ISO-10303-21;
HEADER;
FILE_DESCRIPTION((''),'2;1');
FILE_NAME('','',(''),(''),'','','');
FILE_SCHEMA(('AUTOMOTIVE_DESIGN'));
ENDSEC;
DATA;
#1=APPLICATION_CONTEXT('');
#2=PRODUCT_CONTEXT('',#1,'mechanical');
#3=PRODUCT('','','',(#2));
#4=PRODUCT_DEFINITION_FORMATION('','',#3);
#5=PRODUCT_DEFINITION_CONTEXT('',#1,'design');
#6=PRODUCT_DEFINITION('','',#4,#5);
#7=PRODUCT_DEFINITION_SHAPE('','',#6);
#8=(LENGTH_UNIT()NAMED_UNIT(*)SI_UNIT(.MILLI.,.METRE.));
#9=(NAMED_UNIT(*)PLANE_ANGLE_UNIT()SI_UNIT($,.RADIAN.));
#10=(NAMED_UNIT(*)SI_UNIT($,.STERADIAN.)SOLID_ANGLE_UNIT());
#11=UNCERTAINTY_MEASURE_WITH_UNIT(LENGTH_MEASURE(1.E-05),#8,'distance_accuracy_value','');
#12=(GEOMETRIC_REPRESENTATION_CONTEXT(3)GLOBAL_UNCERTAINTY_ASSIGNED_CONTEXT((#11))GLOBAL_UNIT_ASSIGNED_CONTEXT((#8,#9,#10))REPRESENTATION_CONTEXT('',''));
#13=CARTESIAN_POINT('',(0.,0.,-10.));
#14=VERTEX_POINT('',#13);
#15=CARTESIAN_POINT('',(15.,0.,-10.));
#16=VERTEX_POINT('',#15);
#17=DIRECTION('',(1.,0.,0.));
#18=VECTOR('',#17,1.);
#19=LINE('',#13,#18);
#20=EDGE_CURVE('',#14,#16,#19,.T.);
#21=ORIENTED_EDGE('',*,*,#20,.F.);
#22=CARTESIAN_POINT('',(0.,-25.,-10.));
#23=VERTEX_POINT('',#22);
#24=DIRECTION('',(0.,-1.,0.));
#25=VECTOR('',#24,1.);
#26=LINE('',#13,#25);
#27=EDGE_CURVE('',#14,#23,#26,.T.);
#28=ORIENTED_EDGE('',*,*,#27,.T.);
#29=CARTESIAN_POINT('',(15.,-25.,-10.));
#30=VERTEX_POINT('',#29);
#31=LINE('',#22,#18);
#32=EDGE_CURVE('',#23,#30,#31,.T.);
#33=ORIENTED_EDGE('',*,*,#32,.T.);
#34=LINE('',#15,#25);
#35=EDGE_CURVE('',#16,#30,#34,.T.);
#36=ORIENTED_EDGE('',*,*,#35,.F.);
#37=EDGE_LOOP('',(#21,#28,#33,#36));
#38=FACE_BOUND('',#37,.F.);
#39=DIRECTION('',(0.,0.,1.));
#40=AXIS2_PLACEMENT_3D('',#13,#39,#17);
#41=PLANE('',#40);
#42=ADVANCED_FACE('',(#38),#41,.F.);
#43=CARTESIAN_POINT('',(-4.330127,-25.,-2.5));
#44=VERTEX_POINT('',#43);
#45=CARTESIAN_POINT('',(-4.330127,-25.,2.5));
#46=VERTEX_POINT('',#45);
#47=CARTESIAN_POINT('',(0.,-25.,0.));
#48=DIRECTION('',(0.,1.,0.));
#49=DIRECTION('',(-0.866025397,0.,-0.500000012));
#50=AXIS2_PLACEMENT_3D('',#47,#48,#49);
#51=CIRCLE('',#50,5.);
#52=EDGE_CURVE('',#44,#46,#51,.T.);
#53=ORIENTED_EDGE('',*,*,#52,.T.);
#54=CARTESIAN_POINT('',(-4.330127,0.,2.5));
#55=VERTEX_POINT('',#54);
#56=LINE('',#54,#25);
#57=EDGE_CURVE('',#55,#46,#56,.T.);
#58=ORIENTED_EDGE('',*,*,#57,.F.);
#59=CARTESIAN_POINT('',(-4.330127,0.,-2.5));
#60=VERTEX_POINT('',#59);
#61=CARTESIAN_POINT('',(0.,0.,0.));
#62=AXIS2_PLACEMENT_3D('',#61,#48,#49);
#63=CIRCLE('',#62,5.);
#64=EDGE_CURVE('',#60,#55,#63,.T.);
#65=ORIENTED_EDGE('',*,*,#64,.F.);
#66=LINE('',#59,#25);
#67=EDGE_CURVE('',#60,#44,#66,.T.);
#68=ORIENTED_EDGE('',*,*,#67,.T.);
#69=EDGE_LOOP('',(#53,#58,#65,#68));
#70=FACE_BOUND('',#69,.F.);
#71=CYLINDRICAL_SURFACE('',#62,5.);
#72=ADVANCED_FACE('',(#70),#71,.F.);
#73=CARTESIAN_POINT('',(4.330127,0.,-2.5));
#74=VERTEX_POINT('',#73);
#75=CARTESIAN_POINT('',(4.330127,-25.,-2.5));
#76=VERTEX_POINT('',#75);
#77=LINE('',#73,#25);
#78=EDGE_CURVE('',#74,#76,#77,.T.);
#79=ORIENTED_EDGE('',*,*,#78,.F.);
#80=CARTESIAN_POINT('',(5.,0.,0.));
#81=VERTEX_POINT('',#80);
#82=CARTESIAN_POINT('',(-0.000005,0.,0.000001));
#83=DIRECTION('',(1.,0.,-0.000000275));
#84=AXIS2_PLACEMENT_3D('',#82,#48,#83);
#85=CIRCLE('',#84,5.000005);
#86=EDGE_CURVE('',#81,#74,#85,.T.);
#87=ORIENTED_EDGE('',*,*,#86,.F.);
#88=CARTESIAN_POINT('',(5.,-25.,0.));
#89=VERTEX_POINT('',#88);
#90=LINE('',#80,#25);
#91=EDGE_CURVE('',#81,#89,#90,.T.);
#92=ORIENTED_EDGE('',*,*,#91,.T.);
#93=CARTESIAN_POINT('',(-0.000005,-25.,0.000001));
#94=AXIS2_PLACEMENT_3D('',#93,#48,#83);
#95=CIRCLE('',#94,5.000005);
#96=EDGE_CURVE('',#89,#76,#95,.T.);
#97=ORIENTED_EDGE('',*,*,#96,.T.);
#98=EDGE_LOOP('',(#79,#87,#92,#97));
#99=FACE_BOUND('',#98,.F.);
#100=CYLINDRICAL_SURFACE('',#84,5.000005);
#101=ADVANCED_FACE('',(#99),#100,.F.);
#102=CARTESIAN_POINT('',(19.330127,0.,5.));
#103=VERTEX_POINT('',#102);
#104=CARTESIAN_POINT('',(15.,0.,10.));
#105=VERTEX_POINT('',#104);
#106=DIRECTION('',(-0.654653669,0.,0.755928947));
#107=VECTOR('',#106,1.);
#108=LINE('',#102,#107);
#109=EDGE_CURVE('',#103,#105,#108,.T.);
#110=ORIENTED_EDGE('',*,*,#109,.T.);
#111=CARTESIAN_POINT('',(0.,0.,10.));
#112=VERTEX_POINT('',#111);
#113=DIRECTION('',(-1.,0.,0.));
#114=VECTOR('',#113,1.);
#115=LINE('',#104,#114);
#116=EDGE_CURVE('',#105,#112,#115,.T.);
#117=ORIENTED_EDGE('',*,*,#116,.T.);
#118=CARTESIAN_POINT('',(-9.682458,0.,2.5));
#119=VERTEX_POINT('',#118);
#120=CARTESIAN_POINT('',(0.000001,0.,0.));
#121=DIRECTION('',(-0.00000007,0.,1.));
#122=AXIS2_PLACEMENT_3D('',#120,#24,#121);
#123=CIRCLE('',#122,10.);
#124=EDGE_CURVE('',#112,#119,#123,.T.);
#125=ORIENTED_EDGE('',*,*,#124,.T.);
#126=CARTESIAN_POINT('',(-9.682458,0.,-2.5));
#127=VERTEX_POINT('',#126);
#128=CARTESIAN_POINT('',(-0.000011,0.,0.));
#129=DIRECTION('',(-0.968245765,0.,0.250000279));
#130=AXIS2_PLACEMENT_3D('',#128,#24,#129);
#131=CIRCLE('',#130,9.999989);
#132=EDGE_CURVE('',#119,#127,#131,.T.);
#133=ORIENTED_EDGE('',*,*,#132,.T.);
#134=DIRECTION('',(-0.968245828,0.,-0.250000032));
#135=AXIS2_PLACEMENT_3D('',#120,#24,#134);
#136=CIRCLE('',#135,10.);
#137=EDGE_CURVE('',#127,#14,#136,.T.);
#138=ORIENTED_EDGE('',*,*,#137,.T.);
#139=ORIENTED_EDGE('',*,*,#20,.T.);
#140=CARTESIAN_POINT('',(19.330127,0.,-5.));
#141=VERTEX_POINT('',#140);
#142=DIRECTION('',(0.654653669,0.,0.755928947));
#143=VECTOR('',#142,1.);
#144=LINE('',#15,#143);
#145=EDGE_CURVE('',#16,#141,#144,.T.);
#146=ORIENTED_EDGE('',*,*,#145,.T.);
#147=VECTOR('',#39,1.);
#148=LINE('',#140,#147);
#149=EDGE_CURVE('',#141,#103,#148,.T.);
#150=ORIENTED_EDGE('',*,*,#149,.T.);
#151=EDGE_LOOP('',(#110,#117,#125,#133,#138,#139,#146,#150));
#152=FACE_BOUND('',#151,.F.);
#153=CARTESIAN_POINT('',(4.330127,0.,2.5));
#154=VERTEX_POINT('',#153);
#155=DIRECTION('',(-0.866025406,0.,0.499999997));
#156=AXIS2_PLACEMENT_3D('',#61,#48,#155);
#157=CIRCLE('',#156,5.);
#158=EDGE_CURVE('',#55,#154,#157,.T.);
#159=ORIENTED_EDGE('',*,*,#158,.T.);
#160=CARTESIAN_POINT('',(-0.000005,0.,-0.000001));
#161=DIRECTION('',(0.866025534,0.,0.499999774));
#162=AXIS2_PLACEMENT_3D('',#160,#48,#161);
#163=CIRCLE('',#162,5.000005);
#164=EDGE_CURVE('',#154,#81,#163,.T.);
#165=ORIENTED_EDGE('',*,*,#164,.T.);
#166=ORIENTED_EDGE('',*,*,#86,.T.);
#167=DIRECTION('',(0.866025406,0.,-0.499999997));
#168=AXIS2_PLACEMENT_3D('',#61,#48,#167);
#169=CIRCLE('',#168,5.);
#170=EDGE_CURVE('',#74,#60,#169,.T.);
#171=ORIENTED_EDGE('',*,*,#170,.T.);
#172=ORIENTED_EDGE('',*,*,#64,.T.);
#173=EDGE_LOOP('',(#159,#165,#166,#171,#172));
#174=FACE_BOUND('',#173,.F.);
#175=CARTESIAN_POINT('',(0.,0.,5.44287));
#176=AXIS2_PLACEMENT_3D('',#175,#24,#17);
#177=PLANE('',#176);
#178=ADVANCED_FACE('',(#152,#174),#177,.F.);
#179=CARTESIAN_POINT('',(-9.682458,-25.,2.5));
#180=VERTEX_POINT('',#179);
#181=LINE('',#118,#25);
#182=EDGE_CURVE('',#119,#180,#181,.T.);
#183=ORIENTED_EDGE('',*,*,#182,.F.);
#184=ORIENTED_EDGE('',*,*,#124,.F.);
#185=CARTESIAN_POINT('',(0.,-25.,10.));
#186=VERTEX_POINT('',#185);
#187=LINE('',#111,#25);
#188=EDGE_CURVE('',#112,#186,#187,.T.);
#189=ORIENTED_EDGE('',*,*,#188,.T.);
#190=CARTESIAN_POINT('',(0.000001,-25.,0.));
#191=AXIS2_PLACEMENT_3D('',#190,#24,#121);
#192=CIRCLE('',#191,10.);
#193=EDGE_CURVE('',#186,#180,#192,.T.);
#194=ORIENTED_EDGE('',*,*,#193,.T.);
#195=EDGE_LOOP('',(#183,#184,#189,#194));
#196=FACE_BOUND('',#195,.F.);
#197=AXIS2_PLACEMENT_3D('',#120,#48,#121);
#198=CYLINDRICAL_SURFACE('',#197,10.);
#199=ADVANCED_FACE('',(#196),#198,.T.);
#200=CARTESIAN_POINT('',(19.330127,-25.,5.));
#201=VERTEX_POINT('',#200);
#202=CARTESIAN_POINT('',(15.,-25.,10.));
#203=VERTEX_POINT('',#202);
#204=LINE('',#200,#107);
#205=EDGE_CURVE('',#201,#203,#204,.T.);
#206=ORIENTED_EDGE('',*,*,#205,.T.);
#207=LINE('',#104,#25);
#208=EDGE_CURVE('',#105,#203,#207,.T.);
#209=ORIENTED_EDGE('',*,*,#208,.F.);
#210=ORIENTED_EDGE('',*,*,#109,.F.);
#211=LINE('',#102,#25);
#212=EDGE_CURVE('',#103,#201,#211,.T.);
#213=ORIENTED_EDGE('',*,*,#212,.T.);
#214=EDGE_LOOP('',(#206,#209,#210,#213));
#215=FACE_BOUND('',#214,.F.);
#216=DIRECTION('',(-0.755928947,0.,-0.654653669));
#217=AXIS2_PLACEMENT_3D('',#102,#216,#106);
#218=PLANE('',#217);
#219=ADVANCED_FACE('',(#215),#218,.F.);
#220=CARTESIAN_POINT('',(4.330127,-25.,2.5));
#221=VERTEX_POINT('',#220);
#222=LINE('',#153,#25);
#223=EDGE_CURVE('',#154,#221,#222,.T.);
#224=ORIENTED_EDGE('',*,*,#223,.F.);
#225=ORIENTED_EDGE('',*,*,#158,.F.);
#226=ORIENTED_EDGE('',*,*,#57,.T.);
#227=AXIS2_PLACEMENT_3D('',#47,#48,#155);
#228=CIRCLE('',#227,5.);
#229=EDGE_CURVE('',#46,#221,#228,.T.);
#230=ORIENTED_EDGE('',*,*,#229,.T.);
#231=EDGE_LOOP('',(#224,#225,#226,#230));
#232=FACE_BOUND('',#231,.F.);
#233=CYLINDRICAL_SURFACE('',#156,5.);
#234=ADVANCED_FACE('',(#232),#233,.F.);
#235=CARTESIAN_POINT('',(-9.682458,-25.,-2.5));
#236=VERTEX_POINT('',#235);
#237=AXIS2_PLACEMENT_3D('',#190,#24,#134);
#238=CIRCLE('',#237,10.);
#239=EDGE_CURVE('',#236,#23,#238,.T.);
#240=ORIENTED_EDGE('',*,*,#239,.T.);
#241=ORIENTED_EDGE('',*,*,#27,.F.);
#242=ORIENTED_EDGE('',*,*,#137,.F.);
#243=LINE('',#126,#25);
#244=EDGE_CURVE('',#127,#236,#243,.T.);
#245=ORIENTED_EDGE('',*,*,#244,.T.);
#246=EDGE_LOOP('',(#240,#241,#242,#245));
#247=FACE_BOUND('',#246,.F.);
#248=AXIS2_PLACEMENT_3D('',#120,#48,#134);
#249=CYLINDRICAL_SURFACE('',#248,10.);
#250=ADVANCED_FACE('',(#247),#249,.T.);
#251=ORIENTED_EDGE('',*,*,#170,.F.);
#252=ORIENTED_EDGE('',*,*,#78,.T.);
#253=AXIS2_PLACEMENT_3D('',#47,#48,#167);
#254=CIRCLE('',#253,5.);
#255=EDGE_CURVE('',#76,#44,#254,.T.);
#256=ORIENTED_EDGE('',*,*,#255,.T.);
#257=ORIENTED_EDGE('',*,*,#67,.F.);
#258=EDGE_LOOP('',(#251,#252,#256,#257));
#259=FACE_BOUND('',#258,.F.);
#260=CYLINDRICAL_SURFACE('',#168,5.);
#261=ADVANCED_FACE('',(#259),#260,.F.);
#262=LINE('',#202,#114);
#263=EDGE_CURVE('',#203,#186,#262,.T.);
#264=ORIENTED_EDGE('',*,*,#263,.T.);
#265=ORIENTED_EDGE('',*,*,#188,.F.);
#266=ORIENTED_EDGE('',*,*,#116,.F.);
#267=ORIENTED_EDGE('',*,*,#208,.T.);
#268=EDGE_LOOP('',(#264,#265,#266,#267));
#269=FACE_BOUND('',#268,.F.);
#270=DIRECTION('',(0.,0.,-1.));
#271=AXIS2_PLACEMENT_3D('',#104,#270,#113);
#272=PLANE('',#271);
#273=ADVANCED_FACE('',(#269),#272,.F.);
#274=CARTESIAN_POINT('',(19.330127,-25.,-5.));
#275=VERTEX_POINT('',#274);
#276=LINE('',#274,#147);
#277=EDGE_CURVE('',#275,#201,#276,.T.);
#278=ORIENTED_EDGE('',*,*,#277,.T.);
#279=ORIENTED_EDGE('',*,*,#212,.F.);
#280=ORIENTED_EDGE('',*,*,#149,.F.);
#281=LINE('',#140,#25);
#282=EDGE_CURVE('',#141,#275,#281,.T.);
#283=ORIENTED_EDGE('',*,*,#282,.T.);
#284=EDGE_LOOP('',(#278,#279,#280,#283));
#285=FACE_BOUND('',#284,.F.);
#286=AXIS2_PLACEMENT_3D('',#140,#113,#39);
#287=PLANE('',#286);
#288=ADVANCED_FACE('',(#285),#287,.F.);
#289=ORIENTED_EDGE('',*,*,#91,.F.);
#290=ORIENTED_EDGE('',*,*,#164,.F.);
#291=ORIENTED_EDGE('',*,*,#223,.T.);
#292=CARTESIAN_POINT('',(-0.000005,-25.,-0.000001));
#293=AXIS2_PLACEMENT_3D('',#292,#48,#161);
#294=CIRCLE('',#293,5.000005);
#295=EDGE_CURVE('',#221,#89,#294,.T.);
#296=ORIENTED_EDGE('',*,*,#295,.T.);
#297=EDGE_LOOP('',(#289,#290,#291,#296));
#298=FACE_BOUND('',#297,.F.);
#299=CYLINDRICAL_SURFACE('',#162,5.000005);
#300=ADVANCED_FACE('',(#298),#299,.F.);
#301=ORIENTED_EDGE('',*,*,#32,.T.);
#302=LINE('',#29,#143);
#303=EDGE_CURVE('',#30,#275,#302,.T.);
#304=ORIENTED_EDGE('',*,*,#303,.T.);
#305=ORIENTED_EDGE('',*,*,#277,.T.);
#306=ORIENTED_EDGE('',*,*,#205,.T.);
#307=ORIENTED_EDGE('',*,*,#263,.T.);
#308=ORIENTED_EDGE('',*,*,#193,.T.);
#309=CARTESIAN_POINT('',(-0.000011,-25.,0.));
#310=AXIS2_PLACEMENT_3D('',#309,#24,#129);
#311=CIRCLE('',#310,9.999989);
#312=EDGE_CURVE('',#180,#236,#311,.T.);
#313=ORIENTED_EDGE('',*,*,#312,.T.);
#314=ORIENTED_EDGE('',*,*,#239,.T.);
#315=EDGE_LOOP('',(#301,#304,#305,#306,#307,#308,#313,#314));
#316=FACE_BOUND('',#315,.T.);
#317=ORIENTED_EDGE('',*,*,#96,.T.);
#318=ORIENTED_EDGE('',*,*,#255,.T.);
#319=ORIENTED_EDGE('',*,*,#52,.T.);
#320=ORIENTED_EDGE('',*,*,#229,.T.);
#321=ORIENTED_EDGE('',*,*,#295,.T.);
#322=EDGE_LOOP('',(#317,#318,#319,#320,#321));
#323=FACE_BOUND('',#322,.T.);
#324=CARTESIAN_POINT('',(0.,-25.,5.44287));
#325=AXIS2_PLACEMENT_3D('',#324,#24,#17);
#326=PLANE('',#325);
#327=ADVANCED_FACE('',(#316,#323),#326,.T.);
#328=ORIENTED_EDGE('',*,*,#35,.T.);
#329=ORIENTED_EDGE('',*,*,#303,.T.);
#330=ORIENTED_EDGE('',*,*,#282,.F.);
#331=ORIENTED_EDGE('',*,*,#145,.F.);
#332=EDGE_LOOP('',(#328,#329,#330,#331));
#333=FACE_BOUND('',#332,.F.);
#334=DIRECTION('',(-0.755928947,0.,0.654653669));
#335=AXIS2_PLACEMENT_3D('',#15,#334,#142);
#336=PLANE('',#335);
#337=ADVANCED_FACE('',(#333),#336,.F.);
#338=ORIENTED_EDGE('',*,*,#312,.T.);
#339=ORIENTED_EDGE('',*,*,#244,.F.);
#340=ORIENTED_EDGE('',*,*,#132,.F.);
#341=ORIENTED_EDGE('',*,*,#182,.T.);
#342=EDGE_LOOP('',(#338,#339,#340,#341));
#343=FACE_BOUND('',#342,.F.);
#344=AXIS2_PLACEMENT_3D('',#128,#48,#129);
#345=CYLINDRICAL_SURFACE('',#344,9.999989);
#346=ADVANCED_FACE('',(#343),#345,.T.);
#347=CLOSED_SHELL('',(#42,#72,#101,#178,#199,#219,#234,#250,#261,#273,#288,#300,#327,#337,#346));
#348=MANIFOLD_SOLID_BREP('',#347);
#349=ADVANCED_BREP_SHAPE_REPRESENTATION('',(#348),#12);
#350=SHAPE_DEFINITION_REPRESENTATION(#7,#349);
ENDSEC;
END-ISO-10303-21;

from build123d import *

# Parameters (mm, degrees)
F1_DEPTH = 25


with BuildPart() as f1:
    # F0 (on Front) → F1 (new body)
    with BuildSketch(Plane.XZ):
        with BuildLine():
            ThreePointArc((-4.330127, 2.5), (0, 5), (4.330127, 2.5))
            Line((4.330127, 2.5), (9.682458, 2.5))
            ThreePointArc((9.682458, 2.5), (6.123724, 7.905694), (0, 10))
            ThreePointArc((0, 10), (-6.123724, 7.905694), (-9.682458, 2.5))
            Line((-9.682458, 2.5), (-4.330127, 2.5))
        make_face()
        with BuildLine():
            ThreePointArc((4.330127, 2.5), (4.829629, 1.294095), (5, 0))
            ThreePointArc((5, 0), (4.829629, -1.294095), (4.330127, -2.5))
            Line((4.330127, -2.5), (9.682458, -2.5))
            Line((9.682458, -2.5), (19.330127, -2.5))
            Line((19.330127, -2.5), (19.330127, 2.5))
            Line((19.330127, 2.5), (9.682458, 2.5))
            Line((9.682458, 2.5), (4.330127, 2.5))
        make_face()
        with BuildLine():
            Line((9.682458, -2.5), (4.330127, -2.5))
            ThreePointArc((4.330127, -2.5), (0, -5), (-4.330127, -2.5))
            Line((-4.330127, -2.5), (-9.682458, -2.5))
            ThreePointArc((-9.682458, -2.5), (-6.123724, -7.905694), (0, -10))
            ThreePointArc((0, -10), (6.123724, -7.905694), (9.682458, -2.5))
        make_face()
        with BuildLine():
            ThreePointArc((-4.330127, -2.5), (-5, 0), (-4.330127, 2.5))
            Line((-4.330127, 2.5), (-9.682458, 2.5))
            ThreePointArc((-9.682458, 2.5), (-10, 0), (-9.682458, -2.5))
            Line((-9.682458, -2.5), (-4.330127, -2.5))
        make_face()
        with BuildLine():
            ThreePointArc((0, 10), (6.123724, 7.905694), (9.682458, 2.5))
            Line((9.682458, 2.5), (19.330127, 2.5))
            Line((19.330127, 2.5), (19.330127, 5))
            Line((19.330127, 5), (15, 10))
            Line((15, 10), (0, 10))
        make_face()
        with BuildLine():
            Line((19.330127, -2.5), (9.682458, -2.5))
            ThreePointArc((9.682458, -2.5), (6.123724, -7.905694), (0, -10))
            Line((0, -10), (15, -10))
            Line((15, -10), (19.330127, -5))
            Line((19.330127, -5), (19.330127, -2.5))
        make_face()
    extrude(amount=F1_DEPTH)


solid = f1.part
